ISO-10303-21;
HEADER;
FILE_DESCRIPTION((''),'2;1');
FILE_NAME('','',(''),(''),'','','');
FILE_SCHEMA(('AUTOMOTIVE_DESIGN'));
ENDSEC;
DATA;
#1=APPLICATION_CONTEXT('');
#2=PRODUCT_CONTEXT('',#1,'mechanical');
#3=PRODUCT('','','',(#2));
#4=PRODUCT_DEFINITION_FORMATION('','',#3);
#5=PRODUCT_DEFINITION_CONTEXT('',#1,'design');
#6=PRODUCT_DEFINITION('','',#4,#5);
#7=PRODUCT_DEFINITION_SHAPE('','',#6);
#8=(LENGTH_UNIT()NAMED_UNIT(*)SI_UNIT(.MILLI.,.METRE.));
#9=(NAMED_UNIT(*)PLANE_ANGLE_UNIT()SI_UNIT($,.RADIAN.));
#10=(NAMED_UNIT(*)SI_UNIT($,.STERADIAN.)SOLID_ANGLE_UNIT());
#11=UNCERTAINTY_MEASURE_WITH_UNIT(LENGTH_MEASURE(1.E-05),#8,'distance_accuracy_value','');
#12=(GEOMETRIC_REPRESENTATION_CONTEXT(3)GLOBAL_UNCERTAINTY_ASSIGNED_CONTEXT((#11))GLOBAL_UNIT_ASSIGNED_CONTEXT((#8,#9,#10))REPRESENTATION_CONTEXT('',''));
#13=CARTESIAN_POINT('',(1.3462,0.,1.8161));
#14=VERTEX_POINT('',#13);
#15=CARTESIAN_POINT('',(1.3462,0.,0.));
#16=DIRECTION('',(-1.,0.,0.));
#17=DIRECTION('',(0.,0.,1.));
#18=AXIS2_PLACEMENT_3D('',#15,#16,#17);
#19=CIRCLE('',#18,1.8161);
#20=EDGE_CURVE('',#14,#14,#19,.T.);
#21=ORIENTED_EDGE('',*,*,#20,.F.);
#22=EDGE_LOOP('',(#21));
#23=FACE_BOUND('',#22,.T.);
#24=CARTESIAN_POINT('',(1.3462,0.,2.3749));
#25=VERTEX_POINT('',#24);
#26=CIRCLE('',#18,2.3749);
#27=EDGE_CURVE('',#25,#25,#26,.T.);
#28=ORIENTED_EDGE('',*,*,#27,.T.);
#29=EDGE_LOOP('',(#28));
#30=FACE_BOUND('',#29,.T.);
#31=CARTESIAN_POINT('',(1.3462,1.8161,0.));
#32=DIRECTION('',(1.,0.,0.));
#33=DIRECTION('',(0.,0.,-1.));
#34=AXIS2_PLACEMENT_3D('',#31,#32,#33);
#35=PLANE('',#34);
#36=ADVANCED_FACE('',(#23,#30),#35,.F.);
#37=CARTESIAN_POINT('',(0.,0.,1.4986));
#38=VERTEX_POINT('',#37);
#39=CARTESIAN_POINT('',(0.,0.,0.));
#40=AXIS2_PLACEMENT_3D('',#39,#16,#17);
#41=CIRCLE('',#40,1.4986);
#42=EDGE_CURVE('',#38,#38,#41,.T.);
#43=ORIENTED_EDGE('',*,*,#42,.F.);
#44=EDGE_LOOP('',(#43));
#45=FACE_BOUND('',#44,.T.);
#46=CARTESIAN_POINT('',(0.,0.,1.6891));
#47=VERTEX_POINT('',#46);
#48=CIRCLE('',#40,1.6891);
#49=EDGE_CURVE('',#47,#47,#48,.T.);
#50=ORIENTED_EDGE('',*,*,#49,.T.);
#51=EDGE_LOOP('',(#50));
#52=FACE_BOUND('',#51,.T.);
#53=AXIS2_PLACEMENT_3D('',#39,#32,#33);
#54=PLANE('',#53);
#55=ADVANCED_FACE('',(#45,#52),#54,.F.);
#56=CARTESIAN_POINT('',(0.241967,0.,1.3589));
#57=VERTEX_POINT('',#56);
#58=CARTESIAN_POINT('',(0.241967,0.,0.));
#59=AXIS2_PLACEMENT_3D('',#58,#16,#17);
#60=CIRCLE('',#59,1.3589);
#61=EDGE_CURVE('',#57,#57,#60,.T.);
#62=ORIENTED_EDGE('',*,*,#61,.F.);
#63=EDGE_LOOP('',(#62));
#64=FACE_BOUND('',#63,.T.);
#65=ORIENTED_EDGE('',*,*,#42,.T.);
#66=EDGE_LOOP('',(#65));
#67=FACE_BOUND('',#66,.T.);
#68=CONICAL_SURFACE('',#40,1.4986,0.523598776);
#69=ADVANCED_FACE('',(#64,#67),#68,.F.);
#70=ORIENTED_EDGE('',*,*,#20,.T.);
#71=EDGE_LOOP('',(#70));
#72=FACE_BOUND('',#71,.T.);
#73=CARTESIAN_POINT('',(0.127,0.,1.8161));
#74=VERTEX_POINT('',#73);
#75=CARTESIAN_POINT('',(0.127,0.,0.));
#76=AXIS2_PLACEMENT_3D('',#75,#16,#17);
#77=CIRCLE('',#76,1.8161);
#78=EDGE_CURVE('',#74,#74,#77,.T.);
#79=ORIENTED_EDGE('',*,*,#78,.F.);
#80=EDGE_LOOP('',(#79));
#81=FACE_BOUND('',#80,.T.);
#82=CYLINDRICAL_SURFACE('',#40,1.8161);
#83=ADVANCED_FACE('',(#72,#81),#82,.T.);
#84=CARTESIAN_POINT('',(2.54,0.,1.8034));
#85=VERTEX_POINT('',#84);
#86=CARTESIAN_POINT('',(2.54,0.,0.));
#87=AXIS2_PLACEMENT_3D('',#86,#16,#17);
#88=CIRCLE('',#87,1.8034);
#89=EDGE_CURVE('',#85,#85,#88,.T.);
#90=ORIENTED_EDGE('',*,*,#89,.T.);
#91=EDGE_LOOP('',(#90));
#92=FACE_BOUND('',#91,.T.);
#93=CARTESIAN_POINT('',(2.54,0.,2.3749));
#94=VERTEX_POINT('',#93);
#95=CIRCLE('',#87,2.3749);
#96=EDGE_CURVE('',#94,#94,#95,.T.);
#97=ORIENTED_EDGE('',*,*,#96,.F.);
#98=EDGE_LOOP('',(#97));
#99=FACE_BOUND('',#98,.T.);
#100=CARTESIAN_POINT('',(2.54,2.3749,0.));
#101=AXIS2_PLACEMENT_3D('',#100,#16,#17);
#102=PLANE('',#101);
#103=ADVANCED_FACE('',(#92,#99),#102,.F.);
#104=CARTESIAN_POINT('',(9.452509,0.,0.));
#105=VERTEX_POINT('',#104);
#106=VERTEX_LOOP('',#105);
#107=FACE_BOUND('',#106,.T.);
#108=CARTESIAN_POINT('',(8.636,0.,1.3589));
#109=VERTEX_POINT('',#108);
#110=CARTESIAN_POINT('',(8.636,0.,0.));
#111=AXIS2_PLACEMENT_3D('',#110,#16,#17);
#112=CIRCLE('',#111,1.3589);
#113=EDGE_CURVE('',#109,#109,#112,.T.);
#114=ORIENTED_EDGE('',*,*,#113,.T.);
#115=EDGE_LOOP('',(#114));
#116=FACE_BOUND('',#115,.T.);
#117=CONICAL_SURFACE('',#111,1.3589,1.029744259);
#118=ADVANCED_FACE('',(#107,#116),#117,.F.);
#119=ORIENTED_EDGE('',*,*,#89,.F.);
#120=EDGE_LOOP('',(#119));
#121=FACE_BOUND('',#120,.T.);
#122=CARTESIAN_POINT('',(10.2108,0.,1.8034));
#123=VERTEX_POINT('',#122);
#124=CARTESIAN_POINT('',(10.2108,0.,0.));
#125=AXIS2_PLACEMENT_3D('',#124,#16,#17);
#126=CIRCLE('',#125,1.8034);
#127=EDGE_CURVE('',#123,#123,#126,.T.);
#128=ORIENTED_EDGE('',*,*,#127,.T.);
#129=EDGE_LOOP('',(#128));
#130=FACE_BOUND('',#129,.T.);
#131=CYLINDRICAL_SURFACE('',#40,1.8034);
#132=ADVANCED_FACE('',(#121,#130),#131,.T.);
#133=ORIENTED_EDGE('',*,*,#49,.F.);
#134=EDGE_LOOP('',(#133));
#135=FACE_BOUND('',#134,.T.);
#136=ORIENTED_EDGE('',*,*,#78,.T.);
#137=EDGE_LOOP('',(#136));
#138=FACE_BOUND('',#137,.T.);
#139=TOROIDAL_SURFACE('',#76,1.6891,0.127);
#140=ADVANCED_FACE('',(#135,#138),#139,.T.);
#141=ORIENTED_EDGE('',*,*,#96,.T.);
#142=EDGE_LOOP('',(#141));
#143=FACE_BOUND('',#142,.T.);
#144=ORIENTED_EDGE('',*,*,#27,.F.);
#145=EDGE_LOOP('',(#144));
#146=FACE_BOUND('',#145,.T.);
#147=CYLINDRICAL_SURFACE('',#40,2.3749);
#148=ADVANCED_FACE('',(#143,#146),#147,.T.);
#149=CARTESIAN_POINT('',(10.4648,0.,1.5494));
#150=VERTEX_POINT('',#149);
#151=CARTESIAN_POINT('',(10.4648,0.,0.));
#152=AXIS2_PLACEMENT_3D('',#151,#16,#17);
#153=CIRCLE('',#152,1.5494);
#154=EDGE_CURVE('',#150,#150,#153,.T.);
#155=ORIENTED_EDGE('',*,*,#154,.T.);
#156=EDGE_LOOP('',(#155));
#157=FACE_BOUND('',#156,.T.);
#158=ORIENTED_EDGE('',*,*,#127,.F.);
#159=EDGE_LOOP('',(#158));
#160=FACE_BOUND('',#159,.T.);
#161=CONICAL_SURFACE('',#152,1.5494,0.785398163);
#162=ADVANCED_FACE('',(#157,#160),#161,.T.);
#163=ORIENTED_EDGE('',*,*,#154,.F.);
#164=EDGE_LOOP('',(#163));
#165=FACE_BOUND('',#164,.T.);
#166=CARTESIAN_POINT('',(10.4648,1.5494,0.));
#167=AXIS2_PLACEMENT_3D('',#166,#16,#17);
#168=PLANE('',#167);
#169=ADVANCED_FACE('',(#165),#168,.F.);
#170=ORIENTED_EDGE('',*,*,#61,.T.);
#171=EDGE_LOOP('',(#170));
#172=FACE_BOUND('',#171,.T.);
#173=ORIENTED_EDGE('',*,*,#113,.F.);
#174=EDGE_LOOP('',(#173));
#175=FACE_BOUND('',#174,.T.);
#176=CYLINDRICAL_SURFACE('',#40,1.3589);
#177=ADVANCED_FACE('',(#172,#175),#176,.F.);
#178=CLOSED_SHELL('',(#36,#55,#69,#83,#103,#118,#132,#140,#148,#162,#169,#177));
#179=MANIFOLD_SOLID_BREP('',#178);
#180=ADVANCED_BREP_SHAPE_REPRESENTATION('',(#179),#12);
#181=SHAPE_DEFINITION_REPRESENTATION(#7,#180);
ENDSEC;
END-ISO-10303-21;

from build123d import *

# Parameters (mm, degrees)
HOLE1_D           = 2.7178
HOLE1_DEPTH       = 8.636
HOLE1_CSINK_D     = 2.9972
HOLE1_CSINK_ANGLE = 60
HOLE1_TIP         = 0.816509495


with BuildPart() as part:
    # Sketch1 → RevolutionAngle1 (revolve)
    with BuildSketch(Plane.XY):
        with BuildLine():
            Line((0.127, 1.8161), (1.3462, 1.8161))
            Line((1.3462, 1.8161), (1.3462, 2.3749))
            Line((1.3462, 2.3749), (2.54, 2.3749))
            Line((2.54, 2.3749), (2.54, 1.8034))
            Line((2.54, 1.8034), (10.2108, 1.8034))
            Line((10.2108, 1.8034), (10.4648, 1.5494))
            Line((10.4648, 1.5494), (10.4648, 0))
            Line((10.4648, 0), (0, 0))
            Line((0, 0), (0, 1.6891))
            ThreePointArc((0, 1.6891), (0.037197439, 1.778902561), (0.127, 1.8161))
        make_face()
    revolve(axis=Axis((0, 0, 0), (1, 0, 0)))

    # Hole1
    with Locations(Plane.ZY):
        with Locations((0, 0)):
            CounterSinkHole(HOLE1_D / 2, HOLE1_CSINK_D / 2, depth=HOLE1_DEPTH, counter_sink_angle=HOLE1_CSINK_ANGLE)
            with Locations((0, 0, -(HOLE1_DEPTH + HOLE1_TIP / 2))):  # 118° drill point
                Cone(0, HOLE1_D / 2, HOLE1_TIP, mode=Mode.SUBTRACT)


solid = part.part
